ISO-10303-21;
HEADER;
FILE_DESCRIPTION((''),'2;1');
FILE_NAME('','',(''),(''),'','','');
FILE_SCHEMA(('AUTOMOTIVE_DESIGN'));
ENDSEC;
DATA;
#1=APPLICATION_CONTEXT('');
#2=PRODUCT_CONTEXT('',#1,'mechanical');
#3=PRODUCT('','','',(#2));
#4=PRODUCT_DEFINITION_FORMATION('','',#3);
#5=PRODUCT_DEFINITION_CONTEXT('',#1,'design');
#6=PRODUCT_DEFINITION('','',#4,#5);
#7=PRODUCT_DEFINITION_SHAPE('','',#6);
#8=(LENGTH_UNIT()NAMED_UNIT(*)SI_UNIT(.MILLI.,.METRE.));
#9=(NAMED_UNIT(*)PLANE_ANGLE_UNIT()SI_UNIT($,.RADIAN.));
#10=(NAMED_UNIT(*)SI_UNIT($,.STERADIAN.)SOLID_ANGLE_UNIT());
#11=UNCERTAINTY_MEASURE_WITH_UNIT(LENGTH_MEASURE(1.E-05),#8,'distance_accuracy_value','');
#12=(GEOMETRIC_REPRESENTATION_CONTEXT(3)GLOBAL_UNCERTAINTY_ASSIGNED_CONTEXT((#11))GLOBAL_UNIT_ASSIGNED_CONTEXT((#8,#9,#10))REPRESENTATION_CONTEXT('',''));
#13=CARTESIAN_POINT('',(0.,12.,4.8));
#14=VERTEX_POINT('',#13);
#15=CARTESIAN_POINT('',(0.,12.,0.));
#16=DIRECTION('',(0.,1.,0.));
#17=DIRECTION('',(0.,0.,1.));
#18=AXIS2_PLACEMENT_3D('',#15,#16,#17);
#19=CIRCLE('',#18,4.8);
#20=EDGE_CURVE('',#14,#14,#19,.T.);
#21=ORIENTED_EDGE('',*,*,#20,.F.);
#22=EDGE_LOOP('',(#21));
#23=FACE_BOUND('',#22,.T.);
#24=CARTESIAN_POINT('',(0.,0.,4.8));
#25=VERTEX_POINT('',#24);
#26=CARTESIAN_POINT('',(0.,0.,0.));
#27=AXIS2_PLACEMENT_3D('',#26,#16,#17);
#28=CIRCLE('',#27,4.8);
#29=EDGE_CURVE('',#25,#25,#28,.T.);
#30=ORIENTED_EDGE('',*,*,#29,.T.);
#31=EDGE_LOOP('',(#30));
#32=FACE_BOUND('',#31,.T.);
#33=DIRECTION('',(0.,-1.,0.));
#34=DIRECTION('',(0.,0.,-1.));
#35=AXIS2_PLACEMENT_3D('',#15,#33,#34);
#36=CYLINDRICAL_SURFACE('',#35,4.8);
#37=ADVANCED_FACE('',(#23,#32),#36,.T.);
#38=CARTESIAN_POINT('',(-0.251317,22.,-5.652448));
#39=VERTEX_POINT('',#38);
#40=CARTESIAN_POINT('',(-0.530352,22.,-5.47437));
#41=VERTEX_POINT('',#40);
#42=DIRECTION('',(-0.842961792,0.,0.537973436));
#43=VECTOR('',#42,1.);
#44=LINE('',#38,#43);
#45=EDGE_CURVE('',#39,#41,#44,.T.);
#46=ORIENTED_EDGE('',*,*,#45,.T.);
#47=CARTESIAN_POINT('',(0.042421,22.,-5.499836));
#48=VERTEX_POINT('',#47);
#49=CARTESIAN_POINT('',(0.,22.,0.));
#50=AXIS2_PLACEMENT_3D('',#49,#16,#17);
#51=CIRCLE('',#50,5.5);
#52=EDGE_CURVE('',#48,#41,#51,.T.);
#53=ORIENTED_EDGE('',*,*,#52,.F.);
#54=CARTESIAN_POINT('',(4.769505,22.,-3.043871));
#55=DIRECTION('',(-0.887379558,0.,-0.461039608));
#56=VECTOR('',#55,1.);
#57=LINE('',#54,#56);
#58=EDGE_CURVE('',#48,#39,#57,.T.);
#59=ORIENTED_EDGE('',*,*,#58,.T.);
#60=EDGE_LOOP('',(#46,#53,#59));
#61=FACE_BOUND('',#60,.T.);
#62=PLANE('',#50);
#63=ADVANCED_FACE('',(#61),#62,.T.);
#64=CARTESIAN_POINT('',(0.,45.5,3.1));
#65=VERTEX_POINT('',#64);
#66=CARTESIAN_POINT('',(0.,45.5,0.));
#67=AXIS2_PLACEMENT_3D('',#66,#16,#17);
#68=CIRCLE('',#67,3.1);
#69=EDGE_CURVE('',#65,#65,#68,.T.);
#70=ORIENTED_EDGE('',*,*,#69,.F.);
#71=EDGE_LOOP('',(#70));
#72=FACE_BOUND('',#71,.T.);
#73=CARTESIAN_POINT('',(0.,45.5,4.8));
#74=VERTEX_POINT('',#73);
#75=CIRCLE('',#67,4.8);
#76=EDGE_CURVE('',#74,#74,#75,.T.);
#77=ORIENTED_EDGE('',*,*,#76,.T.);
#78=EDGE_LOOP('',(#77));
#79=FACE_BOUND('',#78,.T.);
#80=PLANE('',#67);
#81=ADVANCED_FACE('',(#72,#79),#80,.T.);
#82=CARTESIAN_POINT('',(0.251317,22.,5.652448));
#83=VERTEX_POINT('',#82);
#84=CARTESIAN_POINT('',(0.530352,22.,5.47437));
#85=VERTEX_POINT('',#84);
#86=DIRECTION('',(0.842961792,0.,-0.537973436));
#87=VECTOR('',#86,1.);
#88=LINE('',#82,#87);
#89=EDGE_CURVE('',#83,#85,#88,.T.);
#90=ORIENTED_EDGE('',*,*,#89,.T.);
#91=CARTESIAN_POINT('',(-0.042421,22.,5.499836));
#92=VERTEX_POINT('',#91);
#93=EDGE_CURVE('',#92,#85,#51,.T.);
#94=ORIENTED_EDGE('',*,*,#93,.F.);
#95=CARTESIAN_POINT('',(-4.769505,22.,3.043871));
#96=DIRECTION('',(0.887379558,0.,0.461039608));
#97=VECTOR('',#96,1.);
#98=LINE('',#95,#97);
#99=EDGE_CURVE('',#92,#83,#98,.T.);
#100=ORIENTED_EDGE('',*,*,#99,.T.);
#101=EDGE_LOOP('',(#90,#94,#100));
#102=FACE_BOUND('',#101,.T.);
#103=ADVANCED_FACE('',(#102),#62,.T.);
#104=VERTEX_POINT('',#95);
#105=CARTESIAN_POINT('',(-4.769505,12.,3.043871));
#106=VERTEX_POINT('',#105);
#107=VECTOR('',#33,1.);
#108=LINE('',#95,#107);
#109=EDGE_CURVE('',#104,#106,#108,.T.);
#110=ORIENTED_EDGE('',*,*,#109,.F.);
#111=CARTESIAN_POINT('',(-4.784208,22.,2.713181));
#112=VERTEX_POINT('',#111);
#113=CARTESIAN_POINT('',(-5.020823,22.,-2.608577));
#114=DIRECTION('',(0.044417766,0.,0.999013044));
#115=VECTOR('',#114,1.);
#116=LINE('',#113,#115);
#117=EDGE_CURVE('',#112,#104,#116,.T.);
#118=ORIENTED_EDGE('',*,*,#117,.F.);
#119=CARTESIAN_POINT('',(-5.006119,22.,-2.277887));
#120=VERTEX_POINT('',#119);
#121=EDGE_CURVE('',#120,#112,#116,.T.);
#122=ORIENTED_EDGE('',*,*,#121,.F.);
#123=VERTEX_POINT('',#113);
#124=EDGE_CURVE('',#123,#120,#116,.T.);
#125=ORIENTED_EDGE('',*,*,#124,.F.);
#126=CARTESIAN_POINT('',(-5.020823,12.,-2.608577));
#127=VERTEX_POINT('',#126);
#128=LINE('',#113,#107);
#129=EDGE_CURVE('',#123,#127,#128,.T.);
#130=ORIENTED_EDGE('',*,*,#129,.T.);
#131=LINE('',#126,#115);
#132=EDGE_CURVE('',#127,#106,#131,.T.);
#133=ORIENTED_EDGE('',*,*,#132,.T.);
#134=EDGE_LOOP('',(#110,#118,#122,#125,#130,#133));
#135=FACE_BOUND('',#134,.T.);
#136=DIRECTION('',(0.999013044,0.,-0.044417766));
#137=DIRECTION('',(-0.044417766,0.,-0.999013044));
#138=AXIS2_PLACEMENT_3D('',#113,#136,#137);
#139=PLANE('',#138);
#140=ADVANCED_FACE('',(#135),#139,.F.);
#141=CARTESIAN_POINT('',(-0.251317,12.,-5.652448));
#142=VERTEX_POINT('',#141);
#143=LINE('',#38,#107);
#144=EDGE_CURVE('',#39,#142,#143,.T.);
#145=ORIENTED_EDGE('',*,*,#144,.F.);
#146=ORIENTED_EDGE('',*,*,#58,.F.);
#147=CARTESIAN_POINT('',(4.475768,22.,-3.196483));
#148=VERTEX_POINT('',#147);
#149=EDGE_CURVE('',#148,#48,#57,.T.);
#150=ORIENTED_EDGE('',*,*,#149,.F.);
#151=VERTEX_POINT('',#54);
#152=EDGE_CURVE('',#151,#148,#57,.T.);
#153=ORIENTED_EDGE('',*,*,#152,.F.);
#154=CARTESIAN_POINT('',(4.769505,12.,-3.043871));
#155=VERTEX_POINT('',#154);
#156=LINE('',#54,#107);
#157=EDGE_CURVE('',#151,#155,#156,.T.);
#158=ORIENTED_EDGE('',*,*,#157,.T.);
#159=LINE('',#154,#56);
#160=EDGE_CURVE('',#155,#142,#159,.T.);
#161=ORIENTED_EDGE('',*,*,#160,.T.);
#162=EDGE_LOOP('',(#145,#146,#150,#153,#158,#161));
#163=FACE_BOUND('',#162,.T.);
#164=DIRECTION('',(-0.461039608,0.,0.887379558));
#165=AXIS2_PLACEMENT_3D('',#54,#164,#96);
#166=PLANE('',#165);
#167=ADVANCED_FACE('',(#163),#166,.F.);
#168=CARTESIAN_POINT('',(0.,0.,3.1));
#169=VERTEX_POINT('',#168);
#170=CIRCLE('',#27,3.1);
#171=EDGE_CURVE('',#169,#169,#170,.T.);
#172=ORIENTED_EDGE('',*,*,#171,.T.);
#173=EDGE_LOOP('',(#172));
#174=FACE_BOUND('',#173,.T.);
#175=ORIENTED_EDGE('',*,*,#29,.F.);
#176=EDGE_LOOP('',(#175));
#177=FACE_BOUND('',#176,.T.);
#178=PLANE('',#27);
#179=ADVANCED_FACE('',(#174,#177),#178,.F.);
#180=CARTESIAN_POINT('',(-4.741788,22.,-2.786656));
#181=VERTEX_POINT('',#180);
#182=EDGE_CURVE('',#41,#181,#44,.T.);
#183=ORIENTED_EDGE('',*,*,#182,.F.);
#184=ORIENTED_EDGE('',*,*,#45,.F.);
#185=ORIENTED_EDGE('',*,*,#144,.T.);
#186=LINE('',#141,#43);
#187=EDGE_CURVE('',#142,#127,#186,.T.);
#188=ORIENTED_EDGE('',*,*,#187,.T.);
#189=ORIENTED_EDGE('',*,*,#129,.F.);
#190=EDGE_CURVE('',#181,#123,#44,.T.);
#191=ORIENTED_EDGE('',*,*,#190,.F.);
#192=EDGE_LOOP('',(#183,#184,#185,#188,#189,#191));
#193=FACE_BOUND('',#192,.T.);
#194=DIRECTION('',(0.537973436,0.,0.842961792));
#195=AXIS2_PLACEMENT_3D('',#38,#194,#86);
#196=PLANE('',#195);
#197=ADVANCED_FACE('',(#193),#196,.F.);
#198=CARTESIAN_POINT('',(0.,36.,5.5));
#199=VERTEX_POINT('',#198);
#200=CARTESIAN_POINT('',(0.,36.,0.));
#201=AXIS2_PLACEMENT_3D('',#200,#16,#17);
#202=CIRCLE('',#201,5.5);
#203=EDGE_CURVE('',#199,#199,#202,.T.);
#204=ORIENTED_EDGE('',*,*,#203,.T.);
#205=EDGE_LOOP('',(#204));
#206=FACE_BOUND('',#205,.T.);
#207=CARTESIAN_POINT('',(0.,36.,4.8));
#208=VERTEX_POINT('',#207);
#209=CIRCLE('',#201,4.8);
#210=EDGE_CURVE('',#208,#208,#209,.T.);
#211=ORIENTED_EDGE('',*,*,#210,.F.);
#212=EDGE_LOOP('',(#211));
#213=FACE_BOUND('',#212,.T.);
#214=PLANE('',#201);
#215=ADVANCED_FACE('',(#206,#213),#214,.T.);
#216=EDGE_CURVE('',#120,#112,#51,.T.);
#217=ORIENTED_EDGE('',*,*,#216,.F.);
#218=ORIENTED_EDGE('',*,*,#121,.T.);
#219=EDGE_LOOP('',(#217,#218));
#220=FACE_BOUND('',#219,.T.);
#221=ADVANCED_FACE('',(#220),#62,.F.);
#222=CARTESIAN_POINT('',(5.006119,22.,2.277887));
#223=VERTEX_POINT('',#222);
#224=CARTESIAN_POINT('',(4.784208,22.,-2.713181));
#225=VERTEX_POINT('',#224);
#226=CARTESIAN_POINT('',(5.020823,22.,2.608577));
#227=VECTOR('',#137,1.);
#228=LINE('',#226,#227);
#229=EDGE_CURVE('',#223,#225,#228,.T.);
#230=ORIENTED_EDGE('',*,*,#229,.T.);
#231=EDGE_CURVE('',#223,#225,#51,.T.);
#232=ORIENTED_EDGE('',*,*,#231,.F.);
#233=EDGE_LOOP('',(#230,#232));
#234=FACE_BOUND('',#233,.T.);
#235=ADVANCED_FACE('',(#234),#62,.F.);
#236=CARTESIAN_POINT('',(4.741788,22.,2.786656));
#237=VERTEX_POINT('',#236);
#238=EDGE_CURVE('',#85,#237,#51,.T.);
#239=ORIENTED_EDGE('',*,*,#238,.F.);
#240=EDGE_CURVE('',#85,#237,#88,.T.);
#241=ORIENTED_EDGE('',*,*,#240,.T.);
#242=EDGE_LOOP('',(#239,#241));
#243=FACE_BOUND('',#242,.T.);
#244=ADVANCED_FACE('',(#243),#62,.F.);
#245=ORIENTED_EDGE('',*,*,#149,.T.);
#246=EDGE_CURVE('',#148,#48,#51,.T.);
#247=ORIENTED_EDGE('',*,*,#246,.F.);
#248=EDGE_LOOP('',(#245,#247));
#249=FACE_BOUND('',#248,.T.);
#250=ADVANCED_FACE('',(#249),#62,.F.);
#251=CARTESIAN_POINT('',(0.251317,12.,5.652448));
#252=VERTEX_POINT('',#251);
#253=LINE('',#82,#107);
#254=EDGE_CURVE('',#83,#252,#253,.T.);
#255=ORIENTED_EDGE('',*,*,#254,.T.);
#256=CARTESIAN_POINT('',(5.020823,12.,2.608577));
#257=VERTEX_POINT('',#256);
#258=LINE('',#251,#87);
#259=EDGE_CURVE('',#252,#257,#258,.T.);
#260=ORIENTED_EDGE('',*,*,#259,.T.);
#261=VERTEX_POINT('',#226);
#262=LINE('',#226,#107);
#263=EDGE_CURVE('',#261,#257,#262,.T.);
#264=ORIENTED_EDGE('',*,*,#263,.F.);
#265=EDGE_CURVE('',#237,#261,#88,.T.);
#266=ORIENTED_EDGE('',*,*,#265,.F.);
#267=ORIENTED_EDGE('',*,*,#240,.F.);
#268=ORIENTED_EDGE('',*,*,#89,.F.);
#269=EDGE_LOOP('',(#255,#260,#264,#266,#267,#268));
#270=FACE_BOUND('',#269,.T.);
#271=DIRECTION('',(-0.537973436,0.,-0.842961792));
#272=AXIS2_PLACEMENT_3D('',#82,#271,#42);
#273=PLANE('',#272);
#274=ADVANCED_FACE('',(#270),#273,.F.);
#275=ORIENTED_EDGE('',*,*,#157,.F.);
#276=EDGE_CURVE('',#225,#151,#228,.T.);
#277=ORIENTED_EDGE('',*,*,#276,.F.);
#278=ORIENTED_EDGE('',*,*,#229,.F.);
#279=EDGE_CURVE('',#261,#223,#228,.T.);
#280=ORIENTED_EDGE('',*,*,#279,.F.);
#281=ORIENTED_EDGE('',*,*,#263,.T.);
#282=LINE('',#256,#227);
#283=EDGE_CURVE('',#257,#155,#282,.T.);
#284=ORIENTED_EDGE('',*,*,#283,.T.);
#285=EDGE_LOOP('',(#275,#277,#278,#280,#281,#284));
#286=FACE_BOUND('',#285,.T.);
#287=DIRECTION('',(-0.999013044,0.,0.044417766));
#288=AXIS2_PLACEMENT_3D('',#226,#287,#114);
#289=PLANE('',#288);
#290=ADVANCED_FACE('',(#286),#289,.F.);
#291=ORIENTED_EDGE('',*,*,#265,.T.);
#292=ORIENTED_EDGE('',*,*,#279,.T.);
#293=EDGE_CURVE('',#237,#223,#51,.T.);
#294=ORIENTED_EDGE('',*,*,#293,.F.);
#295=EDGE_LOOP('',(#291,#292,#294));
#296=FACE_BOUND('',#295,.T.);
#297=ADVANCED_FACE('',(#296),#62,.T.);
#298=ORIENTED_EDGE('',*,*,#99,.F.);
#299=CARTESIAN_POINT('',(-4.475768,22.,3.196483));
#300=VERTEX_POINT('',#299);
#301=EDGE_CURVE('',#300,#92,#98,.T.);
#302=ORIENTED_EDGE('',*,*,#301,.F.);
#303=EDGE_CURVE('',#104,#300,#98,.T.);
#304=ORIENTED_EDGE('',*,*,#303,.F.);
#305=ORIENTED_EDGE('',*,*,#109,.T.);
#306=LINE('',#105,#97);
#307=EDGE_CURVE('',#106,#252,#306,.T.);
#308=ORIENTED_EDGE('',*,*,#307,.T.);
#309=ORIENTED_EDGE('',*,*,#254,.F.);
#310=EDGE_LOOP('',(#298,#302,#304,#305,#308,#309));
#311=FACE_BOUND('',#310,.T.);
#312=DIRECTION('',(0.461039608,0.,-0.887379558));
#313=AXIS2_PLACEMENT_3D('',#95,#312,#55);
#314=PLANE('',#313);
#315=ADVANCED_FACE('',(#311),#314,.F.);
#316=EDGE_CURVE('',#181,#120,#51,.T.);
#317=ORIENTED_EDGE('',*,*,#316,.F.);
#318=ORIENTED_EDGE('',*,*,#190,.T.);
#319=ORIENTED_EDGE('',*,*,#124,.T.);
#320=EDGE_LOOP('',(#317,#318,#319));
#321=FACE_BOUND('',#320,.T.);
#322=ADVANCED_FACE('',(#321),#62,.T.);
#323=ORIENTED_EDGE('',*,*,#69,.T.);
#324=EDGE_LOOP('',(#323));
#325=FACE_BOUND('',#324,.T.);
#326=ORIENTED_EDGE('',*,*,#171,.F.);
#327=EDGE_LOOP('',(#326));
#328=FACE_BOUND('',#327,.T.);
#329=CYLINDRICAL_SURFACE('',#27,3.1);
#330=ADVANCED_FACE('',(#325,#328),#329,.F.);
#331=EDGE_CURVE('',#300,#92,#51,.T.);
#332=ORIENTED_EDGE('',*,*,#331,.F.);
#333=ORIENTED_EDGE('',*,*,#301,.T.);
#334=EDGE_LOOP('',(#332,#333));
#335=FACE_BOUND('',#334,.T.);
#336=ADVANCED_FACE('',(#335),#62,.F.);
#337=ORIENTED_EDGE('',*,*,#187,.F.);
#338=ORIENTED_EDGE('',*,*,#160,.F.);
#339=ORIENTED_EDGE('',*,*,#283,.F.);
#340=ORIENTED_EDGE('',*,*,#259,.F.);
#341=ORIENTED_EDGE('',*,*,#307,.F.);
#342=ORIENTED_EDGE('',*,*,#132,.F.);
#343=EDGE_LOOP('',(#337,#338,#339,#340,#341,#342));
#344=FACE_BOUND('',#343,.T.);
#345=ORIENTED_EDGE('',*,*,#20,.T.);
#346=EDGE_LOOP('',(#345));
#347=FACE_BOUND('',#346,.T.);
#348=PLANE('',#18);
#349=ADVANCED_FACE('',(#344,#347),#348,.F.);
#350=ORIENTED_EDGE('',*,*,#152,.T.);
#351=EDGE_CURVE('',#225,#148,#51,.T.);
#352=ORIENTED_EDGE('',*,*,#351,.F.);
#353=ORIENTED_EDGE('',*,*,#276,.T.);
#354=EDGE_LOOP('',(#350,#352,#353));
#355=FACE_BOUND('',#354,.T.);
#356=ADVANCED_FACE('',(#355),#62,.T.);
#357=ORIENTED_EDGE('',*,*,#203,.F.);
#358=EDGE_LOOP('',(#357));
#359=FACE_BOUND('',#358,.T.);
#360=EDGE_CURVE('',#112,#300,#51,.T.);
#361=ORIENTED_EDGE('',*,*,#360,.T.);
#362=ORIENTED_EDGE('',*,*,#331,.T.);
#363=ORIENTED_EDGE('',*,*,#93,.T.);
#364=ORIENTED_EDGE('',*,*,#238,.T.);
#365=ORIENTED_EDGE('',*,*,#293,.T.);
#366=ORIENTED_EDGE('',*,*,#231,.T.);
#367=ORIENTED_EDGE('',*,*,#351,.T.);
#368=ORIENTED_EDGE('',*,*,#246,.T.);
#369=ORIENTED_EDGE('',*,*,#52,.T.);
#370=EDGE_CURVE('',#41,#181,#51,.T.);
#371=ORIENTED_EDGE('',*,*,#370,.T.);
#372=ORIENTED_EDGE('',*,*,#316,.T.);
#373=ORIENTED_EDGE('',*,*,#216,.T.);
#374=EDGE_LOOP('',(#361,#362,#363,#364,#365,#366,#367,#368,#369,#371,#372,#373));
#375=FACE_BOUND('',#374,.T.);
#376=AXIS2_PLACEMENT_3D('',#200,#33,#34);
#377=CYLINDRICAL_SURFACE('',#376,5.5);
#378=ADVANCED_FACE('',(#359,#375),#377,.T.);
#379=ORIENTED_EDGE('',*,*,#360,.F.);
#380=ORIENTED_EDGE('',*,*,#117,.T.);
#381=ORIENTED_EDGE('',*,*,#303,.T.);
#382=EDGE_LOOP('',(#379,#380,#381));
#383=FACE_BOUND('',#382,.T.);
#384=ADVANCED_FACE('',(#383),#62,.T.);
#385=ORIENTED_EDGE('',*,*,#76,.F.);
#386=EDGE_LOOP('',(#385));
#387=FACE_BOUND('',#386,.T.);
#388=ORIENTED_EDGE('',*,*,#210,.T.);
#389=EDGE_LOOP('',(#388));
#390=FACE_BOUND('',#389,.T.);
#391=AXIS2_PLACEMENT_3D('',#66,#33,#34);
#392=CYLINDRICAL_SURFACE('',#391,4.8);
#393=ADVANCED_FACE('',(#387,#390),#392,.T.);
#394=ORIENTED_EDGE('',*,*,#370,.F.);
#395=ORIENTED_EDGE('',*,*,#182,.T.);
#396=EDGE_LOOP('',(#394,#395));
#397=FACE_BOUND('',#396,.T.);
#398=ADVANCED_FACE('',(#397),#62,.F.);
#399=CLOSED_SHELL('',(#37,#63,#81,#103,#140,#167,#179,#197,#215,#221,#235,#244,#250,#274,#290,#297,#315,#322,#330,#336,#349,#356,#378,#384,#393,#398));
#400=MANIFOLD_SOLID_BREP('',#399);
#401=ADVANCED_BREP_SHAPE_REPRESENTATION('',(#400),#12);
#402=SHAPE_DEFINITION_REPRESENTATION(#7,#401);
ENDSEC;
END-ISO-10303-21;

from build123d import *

# Parameters (mm, degrees)
SKETCH_2_R          = 4.8
EXTRUDE_1_DEPTH     = 12
EXTRUDE_2_DEPTH     = 10
SKETCH_4_R          = 5.5
EXTRUDE_3_DEPTH     = 14
SKETCH_5_R          = 4.8
EXTRUDE_4_DEPTH     = 9.5
SKETCH_6_R          = 3.1
CUT_EXTRUDE_1_DEPTH = 46.5


with BuildPart() as part:
    # Эскиз2 → Бобышка-Вытянуть1 (new body)
    with BuildSketch(Plane(origin=(0, 0, 0), x_dir=(1, 0, 0), z_dir=(0, 1, 0))):
        Circle(SKETCH_2_R)
    extrude(amount=EXTRUDE_1_DEPTH)

    # Эскиз3 → Бобышка-Вытянуть2 (add)
    with BuildSketch(Plane(origin=(0, 12, 0), x_dir=(1, 0, 0), z_dir=(0, 1, 0))):
        Polygon((5.0208225, -2.608577151), (4.769505331, 3.043871258), (-0.251317169, 5.652448409), (-5.0208225, 2.608577151), (-4.769505331, -3.043871258), (0.251317169, -5.652448409), align=None)
    extrude(amount=EXTRUDE_2_DEPTH)

    # Эскиз4 → Бобышка-Вытянуть3 (add)
    with BuildSketch(Plane(origin=(0, 22, 0), x_dir=(1, 0, 0), z_dir=(0, 1, 0))):
        Circle(SKETCH_4_R)
    extrude(amount=EXTRUDE_3_DEPTH)

    # Эскиз5 → Бобышка-Вытянуть4 (add)
    with BuildSketch(Plane(origin=(0, 36, 0), x_dir=(1, 0, 0), z_dir=(0, 1, 0))):
        Circle(SKETCH_5_R)
    extrude(amount=EXTRUDE_4_DEPTH)

    # Эскиз6 → Вырез-Вытянуть1 (cut, through all)
    with BuildSketch(Plane(origin=(0, 45.5, 0), x_dir=(1, 0, 0), z_dir=(0, 1, 0))):
        Circle(SKETCH_6_R)
    extrude(amount=-CUT_EXTRUDE_1_DEPTH, mode=Mode.SUBTRACT)


solid = part.part
